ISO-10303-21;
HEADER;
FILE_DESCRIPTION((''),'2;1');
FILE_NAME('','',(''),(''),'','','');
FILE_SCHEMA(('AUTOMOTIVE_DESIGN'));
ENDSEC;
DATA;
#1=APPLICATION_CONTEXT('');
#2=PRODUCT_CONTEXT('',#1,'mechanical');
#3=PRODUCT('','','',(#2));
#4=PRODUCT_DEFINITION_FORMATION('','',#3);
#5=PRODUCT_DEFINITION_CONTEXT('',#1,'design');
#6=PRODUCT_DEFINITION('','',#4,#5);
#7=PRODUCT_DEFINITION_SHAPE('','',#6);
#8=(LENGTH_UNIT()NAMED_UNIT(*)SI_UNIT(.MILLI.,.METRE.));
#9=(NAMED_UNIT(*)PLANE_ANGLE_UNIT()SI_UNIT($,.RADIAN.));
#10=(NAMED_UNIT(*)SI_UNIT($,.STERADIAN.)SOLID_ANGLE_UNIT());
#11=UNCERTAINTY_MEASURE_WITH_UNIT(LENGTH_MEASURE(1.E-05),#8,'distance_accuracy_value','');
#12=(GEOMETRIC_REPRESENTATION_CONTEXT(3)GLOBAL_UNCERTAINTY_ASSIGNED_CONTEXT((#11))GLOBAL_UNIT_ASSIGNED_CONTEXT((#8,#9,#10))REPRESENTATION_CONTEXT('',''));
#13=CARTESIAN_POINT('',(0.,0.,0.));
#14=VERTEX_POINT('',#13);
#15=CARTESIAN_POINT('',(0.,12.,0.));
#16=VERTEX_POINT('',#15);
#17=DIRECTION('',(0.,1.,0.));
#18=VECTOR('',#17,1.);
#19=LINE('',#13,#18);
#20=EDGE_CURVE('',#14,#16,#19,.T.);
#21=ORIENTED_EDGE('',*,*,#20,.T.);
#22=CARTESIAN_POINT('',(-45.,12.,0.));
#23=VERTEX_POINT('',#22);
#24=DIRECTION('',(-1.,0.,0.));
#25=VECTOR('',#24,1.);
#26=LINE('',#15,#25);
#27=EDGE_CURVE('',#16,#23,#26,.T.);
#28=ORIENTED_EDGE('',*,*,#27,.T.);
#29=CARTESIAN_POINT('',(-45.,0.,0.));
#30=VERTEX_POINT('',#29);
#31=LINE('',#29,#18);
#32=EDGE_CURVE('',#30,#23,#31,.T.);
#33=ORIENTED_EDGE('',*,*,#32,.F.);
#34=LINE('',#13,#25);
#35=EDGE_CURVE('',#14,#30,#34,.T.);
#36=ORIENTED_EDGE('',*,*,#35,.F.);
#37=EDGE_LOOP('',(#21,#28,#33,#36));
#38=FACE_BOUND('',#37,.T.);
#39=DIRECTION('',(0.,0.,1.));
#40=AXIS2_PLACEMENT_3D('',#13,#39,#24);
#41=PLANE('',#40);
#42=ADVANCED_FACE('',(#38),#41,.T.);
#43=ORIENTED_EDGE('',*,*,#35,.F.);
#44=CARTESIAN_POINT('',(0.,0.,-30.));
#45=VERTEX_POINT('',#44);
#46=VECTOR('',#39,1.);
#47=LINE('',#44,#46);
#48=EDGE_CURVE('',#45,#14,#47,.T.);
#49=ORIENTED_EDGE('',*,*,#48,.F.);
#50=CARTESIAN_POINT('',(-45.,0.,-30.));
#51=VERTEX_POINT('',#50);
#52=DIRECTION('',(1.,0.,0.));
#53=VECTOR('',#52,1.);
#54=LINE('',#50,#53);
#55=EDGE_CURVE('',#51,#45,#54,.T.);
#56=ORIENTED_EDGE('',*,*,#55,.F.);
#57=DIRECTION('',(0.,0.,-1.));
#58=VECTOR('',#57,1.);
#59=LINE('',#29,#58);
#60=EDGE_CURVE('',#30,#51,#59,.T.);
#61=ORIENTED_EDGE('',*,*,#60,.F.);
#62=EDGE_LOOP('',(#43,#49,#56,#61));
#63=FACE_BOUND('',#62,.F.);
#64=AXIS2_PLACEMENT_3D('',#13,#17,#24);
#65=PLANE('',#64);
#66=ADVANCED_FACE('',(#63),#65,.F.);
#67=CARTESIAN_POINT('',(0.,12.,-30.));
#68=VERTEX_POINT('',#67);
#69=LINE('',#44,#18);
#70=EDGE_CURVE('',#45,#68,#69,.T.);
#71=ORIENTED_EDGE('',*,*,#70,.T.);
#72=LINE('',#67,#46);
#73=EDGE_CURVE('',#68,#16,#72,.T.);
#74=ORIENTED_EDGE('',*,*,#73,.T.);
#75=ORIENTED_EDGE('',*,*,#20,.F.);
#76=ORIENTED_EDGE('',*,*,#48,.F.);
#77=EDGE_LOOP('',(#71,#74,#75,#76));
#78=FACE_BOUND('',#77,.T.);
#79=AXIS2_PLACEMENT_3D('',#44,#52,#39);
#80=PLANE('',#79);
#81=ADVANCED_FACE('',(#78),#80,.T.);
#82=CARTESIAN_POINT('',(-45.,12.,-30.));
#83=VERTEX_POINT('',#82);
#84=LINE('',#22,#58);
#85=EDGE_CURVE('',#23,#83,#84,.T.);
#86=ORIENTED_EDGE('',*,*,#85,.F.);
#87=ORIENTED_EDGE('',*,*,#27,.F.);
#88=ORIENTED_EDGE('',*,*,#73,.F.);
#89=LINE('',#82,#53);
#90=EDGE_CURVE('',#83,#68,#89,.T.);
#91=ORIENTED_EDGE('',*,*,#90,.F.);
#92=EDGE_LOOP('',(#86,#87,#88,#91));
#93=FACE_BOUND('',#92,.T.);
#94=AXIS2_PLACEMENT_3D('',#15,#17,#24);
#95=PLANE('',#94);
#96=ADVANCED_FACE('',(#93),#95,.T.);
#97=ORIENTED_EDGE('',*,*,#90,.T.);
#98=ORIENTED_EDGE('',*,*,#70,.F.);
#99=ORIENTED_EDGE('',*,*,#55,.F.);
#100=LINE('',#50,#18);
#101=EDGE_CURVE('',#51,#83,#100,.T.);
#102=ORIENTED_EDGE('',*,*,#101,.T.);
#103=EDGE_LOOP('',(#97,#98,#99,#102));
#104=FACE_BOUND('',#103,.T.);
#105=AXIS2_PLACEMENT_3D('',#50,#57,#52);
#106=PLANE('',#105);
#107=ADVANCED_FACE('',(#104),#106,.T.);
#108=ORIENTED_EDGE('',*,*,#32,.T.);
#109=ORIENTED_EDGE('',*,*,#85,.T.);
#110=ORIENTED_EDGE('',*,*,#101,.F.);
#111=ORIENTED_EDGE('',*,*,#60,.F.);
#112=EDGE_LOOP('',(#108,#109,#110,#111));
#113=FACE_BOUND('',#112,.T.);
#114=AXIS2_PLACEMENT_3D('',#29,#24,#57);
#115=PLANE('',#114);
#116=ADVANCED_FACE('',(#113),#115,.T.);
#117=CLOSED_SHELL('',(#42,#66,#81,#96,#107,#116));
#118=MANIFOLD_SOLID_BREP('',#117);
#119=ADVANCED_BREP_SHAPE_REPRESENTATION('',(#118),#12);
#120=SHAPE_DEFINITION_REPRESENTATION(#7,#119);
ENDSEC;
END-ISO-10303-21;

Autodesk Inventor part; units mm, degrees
ref_plane "YZ Plane" through (0, 0, 0) normal (1, 0, 0) x (0, 1, 0)
ref_plane "XZ Plane" through (0, 0, 0) normal (0, 1, 0) x (-1, 0, 0)
ref_plane "XY Plane" through (0, 0, 0) normal (0, 0, 1) x (1, 0, 0)
sketch "Sketch1" plane through (0, 0, 0) normal (0, 1, 0) x (-1, 0, 0)
  line L0 (0, 0) -> (45, 0)
  line L1 (45, 0) -> (45, -30)
  line L2 (45, -30) -> (0, -30)
  line L3 (0, -30) -> (0, 0)
  dimension "d0" = 30
  dimension "d1" = 45
extrude "Extrusion1" add sketch "Sketch1" along normal blind 12
sketch "Sketch2" plane through (0, 12, 0) normal (0, 1, 0) x (1, 0, 0)
  line L0 (-41.0785, 26.5716) -> (-4.1917, 26.5716) construction
  line L1 (-4.1917, 26.5716) -> (-4.1917, 3.8272) construction
  line L2 (-4.1917, 3.8272) -> (-41.0785, 3.8272) construction
  line L3 (-41.0785, 3.8272) -> (-41.0785, 26.5716) construction
  point P0 (0, 0)
properties part number "RECEPTOR"
